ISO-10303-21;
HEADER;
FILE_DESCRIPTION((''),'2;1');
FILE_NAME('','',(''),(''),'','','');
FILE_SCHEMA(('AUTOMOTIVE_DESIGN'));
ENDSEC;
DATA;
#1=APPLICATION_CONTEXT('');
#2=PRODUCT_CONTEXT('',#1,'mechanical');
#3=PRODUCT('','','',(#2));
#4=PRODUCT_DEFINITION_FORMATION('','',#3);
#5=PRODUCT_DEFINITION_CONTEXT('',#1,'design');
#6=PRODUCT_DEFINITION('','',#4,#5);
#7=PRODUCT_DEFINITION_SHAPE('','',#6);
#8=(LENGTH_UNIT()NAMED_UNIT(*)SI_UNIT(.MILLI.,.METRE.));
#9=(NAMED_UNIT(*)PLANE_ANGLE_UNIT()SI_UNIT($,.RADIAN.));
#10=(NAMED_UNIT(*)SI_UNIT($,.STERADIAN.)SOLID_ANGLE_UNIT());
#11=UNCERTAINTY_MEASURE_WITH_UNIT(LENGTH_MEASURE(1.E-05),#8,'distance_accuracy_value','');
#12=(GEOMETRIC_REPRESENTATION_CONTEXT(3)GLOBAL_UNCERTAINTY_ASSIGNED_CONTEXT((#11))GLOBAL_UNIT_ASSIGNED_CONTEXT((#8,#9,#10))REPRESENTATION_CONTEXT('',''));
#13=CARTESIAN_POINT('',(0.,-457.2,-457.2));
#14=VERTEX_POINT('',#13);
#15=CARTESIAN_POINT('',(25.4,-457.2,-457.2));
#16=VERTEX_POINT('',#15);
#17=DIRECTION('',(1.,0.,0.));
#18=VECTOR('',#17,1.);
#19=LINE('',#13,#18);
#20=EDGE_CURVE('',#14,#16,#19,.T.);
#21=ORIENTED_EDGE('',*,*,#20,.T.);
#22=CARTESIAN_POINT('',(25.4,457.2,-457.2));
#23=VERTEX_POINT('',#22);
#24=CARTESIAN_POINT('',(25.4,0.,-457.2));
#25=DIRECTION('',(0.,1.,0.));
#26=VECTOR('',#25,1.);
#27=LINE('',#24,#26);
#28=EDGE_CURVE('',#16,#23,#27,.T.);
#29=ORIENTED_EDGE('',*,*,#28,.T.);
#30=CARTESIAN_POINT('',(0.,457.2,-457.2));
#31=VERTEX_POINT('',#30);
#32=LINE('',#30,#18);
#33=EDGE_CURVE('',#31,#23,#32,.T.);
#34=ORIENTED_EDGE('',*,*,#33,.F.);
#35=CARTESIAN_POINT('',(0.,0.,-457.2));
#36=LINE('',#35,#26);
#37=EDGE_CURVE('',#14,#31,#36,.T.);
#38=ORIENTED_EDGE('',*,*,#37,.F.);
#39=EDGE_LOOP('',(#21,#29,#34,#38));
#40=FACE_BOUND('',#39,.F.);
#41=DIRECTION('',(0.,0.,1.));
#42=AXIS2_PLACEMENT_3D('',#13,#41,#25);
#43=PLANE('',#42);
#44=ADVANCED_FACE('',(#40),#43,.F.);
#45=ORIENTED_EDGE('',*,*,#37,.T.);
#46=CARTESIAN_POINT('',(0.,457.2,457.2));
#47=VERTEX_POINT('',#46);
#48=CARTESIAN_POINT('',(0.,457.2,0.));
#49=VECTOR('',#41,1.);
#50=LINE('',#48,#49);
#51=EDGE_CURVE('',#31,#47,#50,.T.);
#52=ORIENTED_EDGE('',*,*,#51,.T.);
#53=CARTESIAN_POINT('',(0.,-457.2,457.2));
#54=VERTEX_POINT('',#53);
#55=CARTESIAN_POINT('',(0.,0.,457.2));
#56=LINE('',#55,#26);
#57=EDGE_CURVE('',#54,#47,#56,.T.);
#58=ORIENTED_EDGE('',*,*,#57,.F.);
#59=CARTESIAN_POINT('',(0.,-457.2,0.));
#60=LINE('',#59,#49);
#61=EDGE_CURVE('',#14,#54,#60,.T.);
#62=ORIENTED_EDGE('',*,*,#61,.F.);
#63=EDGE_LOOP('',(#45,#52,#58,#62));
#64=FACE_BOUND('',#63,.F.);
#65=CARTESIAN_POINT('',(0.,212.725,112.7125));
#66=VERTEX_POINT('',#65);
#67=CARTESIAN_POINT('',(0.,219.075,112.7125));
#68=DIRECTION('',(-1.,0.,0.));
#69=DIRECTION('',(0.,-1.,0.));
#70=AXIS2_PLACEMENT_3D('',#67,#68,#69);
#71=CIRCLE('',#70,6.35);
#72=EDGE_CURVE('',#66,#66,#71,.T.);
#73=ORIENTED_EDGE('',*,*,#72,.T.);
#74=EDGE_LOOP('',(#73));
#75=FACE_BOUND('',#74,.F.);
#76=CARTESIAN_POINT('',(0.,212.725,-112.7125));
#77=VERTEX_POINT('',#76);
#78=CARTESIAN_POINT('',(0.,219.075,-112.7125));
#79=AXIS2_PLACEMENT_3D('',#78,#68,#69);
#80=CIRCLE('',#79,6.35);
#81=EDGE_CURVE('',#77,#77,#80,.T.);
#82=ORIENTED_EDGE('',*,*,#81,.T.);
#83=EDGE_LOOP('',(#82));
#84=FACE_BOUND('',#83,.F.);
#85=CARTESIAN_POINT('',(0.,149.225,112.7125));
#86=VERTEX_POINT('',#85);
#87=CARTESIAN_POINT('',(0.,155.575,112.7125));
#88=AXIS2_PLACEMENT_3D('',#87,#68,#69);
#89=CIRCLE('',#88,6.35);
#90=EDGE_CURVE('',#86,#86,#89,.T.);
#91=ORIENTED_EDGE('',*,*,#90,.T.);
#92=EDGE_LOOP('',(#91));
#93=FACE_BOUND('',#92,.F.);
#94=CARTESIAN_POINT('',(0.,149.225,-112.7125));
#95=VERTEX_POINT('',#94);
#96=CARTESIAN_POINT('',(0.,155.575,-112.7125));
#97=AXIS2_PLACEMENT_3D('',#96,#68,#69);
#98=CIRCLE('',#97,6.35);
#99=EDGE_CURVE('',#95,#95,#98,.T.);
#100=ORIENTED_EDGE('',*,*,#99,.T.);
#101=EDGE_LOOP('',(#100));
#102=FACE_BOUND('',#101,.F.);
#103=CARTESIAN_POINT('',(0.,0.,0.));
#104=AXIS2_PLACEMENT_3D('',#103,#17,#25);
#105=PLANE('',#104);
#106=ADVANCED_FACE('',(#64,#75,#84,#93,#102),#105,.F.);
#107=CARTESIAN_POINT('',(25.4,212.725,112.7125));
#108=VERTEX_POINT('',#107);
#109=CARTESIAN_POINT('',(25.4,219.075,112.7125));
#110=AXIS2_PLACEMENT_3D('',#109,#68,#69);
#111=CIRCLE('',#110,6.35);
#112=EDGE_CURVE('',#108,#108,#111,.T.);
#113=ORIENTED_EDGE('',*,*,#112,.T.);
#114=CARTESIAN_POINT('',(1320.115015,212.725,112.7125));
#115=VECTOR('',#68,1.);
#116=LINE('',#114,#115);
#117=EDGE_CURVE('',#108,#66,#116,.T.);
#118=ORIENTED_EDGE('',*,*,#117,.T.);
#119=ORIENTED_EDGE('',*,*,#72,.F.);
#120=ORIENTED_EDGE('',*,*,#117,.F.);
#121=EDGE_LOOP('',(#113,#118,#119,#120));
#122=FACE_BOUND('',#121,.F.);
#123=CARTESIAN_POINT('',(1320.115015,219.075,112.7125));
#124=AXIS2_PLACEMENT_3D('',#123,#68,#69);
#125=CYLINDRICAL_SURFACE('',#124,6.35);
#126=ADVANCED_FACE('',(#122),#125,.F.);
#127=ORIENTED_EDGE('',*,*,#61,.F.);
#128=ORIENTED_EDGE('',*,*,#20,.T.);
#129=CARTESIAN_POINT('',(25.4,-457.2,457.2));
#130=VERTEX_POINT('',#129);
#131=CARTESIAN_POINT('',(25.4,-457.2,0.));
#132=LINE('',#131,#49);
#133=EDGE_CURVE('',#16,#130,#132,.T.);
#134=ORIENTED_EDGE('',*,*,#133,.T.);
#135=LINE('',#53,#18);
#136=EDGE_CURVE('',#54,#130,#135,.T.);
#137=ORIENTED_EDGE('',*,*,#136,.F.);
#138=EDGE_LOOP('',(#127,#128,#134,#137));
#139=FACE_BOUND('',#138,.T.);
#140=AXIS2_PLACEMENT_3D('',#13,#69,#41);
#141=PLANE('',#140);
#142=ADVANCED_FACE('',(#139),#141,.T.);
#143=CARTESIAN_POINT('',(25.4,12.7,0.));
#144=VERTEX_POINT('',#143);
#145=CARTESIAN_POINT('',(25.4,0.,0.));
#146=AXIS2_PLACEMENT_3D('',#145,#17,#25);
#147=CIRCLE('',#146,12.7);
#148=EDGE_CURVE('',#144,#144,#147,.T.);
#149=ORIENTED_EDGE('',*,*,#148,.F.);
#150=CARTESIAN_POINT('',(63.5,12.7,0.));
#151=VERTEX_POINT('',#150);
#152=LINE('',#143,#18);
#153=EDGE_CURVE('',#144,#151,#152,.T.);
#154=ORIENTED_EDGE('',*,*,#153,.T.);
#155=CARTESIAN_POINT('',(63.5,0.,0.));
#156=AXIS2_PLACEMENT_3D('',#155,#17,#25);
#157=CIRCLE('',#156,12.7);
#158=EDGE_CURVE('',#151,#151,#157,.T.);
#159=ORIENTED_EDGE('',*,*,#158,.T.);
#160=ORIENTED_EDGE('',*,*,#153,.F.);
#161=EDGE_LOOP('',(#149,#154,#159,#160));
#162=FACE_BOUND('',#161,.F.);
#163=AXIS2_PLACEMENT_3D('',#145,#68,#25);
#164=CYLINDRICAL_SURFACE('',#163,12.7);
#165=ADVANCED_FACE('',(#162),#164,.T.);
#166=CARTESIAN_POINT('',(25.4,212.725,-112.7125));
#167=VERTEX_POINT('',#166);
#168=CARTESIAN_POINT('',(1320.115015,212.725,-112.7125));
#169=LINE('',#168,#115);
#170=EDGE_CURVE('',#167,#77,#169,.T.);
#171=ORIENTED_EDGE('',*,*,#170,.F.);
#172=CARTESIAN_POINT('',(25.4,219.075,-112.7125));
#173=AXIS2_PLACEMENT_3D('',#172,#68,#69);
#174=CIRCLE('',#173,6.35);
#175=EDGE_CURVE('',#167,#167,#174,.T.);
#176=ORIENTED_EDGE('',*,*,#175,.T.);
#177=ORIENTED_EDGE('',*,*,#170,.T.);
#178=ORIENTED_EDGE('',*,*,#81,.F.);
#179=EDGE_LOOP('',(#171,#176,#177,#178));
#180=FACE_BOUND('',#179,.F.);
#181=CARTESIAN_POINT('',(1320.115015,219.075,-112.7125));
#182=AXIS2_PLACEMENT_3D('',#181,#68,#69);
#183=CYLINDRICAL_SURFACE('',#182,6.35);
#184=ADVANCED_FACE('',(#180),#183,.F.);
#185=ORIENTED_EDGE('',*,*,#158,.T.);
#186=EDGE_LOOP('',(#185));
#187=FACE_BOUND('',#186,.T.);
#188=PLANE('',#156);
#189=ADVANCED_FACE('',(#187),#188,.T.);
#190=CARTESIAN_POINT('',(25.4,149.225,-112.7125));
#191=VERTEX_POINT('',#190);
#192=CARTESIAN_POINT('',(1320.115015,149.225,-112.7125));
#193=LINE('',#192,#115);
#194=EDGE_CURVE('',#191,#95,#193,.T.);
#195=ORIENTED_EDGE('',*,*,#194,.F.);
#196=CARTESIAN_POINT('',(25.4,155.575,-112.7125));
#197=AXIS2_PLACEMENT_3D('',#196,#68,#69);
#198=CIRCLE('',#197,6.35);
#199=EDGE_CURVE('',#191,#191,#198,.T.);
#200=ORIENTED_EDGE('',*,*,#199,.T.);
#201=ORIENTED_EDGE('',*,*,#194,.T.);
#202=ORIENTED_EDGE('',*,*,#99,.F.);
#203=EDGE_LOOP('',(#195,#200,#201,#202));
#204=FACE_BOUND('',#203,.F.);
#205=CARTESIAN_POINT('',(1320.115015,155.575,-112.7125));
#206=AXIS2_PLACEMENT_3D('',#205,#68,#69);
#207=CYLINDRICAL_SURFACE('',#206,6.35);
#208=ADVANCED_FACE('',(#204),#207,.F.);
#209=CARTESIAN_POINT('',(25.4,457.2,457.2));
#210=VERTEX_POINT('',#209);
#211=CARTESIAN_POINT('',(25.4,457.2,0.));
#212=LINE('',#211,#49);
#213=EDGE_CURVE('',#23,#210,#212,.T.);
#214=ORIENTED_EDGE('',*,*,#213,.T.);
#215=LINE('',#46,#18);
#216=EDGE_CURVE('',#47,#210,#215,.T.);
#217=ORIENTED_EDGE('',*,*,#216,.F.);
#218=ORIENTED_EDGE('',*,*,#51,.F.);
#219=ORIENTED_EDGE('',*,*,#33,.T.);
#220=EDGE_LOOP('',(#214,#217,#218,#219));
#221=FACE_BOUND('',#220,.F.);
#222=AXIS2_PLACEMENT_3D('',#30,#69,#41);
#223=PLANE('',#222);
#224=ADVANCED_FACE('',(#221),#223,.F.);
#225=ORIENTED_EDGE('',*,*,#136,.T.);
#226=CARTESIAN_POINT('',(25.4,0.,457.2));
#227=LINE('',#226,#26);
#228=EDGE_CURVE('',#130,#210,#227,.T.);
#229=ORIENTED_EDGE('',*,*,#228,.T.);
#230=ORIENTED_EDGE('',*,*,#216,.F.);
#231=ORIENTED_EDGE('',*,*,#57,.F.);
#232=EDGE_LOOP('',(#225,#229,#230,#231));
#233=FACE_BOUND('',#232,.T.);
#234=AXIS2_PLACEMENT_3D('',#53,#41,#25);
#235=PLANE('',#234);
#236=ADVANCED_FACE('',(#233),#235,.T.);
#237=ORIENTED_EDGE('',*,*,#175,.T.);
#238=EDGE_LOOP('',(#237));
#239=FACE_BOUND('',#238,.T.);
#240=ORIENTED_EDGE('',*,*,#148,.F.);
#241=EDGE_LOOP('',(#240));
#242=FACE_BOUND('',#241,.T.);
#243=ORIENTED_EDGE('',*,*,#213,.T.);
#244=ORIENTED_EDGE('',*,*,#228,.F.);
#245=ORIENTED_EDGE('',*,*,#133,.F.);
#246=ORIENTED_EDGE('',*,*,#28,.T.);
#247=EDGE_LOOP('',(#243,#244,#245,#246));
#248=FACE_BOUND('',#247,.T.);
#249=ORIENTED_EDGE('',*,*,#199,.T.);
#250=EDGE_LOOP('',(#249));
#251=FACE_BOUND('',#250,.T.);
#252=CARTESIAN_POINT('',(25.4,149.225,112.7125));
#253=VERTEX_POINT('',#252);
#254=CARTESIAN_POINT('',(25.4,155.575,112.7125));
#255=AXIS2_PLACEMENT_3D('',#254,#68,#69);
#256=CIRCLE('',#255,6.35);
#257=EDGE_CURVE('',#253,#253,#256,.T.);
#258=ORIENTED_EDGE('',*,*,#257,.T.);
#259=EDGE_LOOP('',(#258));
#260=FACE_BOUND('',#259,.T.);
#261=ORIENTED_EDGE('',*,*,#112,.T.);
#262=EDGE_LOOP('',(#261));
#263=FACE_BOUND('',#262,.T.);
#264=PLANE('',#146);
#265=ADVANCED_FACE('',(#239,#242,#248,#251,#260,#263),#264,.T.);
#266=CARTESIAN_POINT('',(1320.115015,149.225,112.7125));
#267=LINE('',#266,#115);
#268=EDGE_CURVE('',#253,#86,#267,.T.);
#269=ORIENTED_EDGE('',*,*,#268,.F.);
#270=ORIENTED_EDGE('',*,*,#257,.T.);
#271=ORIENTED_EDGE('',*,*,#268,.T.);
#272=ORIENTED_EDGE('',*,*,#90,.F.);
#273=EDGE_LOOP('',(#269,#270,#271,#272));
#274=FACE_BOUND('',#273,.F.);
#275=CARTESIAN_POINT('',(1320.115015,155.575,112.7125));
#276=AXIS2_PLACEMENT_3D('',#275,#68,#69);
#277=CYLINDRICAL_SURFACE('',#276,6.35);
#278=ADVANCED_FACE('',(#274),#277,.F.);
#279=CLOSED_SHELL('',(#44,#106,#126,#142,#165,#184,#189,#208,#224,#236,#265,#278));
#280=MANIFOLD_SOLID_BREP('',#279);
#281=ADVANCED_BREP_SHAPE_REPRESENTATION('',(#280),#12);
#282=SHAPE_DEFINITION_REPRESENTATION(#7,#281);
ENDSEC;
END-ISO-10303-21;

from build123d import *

# Parameters (mm, degrees)
F0_W     = 914.4
F0_H     = 914.4
F1_DEPTH = 25.4
F2_R     = 12.7
F3_DEPTH = 38.1
F5_D     = 12.7


with BuildPart() as f1:
    # F0 (on Right) → F1 (new body)
    with BuildSketch(Plane.YZ):
        Rectangle(F0_W, F0_H)
    extrude(amount=F1_DEPTH)

    # F2 (on face) → F3 (join)
    with BuildSketch(Plane.YZ.offset(25.4)):
        Circle(F2_R)
    extrude(amount=F3_DEPTH)

    # F5 (through all)
    with Locations(Plane.YZ.offset(25.4)):
        with Locations((155.575, 112.7125), (219.075, 112.7125), (155.575, -112.7125), (219.075, -112.7125)):
            Hole(F5_D / 2)


solid = f1.part
